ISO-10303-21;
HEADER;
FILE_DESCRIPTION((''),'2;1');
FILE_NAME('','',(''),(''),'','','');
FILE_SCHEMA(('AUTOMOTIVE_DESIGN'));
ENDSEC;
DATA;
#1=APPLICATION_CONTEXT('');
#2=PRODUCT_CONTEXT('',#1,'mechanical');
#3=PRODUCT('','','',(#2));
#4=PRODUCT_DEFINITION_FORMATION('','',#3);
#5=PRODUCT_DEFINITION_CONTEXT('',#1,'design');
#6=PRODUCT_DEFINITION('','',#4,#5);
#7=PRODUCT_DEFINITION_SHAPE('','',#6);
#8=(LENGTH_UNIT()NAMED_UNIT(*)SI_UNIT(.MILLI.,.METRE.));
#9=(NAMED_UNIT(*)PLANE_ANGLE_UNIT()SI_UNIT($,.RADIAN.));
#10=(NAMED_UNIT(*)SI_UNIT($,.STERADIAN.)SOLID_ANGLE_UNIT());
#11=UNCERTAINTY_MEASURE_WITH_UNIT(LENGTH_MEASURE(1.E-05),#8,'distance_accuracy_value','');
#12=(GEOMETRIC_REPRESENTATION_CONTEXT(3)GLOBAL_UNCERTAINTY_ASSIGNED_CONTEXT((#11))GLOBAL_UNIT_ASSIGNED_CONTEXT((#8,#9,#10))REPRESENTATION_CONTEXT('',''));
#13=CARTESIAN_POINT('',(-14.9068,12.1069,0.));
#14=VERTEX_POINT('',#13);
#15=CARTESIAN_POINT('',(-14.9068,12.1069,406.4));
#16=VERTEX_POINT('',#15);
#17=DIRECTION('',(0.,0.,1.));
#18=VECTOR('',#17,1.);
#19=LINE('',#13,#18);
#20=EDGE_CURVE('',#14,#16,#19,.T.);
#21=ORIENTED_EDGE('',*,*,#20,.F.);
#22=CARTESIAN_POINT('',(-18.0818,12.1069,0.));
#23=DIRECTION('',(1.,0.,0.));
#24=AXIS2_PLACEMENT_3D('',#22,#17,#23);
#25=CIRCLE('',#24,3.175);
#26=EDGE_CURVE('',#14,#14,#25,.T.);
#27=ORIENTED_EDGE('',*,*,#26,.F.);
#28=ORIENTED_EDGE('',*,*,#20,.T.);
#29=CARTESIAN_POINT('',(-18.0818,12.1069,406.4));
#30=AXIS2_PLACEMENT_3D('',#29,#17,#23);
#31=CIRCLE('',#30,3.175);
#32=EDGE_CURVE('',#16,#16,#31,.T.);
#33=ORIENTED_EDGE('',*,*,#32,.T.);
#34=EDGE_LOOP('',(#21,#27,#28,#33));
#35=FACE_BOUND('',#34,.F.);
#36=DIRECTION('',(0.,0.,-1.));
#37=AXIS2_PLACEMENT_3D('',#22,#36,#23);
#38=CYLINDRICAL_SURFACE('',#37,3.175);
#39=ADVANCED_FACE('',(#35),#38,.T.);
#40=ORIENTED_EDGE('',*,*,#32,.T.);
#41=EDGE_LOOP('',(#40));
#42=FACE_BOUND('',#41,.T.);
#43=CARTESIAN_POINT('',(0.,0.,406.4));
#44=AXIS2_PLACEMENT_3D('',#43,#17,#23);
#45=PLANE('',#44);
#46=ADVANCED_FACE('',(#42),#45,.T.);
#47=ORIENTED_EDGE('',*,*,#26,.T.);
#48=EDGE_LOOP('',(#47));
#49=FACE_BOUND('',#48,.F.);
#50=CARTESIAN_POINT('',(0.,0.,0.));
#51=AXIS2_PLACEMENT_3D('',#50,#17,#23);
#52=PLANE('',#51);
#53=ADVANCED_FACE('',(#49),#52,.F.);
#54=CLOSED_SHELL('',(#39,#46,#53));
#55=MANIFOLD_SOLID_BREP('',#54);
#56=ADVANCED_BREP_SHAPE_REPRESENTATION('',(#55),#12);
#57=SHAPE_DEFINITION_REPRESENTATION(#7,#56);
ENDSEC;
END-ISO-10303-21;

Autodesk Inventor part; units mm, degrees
ref_plane "XZ Plane" through (0, 0, 0) normal (0, 1, 0) x (-1, 0, 0)
ref_plane "XY Plane" through (0, 0, 0) normal (0, 0, 1) x (1, 0, 0)
sketch "Sketch1" plane through (0, 0, 0) normal (0, 0, 1) x (1, 0, 0)
  circle A0 centre (-18.0818, 12.1069) radius 3.175
  dimension "d0" = 6.35
extrude "Extrusion1" add sketch "Sketch1" along normal blind 406.4
ref_plane "Work Plane1" through (-18.0818, 12.1069, 0) normal (0, 1, 0) x (0, 0, 1)
properties part number "FE-00004-07C"
